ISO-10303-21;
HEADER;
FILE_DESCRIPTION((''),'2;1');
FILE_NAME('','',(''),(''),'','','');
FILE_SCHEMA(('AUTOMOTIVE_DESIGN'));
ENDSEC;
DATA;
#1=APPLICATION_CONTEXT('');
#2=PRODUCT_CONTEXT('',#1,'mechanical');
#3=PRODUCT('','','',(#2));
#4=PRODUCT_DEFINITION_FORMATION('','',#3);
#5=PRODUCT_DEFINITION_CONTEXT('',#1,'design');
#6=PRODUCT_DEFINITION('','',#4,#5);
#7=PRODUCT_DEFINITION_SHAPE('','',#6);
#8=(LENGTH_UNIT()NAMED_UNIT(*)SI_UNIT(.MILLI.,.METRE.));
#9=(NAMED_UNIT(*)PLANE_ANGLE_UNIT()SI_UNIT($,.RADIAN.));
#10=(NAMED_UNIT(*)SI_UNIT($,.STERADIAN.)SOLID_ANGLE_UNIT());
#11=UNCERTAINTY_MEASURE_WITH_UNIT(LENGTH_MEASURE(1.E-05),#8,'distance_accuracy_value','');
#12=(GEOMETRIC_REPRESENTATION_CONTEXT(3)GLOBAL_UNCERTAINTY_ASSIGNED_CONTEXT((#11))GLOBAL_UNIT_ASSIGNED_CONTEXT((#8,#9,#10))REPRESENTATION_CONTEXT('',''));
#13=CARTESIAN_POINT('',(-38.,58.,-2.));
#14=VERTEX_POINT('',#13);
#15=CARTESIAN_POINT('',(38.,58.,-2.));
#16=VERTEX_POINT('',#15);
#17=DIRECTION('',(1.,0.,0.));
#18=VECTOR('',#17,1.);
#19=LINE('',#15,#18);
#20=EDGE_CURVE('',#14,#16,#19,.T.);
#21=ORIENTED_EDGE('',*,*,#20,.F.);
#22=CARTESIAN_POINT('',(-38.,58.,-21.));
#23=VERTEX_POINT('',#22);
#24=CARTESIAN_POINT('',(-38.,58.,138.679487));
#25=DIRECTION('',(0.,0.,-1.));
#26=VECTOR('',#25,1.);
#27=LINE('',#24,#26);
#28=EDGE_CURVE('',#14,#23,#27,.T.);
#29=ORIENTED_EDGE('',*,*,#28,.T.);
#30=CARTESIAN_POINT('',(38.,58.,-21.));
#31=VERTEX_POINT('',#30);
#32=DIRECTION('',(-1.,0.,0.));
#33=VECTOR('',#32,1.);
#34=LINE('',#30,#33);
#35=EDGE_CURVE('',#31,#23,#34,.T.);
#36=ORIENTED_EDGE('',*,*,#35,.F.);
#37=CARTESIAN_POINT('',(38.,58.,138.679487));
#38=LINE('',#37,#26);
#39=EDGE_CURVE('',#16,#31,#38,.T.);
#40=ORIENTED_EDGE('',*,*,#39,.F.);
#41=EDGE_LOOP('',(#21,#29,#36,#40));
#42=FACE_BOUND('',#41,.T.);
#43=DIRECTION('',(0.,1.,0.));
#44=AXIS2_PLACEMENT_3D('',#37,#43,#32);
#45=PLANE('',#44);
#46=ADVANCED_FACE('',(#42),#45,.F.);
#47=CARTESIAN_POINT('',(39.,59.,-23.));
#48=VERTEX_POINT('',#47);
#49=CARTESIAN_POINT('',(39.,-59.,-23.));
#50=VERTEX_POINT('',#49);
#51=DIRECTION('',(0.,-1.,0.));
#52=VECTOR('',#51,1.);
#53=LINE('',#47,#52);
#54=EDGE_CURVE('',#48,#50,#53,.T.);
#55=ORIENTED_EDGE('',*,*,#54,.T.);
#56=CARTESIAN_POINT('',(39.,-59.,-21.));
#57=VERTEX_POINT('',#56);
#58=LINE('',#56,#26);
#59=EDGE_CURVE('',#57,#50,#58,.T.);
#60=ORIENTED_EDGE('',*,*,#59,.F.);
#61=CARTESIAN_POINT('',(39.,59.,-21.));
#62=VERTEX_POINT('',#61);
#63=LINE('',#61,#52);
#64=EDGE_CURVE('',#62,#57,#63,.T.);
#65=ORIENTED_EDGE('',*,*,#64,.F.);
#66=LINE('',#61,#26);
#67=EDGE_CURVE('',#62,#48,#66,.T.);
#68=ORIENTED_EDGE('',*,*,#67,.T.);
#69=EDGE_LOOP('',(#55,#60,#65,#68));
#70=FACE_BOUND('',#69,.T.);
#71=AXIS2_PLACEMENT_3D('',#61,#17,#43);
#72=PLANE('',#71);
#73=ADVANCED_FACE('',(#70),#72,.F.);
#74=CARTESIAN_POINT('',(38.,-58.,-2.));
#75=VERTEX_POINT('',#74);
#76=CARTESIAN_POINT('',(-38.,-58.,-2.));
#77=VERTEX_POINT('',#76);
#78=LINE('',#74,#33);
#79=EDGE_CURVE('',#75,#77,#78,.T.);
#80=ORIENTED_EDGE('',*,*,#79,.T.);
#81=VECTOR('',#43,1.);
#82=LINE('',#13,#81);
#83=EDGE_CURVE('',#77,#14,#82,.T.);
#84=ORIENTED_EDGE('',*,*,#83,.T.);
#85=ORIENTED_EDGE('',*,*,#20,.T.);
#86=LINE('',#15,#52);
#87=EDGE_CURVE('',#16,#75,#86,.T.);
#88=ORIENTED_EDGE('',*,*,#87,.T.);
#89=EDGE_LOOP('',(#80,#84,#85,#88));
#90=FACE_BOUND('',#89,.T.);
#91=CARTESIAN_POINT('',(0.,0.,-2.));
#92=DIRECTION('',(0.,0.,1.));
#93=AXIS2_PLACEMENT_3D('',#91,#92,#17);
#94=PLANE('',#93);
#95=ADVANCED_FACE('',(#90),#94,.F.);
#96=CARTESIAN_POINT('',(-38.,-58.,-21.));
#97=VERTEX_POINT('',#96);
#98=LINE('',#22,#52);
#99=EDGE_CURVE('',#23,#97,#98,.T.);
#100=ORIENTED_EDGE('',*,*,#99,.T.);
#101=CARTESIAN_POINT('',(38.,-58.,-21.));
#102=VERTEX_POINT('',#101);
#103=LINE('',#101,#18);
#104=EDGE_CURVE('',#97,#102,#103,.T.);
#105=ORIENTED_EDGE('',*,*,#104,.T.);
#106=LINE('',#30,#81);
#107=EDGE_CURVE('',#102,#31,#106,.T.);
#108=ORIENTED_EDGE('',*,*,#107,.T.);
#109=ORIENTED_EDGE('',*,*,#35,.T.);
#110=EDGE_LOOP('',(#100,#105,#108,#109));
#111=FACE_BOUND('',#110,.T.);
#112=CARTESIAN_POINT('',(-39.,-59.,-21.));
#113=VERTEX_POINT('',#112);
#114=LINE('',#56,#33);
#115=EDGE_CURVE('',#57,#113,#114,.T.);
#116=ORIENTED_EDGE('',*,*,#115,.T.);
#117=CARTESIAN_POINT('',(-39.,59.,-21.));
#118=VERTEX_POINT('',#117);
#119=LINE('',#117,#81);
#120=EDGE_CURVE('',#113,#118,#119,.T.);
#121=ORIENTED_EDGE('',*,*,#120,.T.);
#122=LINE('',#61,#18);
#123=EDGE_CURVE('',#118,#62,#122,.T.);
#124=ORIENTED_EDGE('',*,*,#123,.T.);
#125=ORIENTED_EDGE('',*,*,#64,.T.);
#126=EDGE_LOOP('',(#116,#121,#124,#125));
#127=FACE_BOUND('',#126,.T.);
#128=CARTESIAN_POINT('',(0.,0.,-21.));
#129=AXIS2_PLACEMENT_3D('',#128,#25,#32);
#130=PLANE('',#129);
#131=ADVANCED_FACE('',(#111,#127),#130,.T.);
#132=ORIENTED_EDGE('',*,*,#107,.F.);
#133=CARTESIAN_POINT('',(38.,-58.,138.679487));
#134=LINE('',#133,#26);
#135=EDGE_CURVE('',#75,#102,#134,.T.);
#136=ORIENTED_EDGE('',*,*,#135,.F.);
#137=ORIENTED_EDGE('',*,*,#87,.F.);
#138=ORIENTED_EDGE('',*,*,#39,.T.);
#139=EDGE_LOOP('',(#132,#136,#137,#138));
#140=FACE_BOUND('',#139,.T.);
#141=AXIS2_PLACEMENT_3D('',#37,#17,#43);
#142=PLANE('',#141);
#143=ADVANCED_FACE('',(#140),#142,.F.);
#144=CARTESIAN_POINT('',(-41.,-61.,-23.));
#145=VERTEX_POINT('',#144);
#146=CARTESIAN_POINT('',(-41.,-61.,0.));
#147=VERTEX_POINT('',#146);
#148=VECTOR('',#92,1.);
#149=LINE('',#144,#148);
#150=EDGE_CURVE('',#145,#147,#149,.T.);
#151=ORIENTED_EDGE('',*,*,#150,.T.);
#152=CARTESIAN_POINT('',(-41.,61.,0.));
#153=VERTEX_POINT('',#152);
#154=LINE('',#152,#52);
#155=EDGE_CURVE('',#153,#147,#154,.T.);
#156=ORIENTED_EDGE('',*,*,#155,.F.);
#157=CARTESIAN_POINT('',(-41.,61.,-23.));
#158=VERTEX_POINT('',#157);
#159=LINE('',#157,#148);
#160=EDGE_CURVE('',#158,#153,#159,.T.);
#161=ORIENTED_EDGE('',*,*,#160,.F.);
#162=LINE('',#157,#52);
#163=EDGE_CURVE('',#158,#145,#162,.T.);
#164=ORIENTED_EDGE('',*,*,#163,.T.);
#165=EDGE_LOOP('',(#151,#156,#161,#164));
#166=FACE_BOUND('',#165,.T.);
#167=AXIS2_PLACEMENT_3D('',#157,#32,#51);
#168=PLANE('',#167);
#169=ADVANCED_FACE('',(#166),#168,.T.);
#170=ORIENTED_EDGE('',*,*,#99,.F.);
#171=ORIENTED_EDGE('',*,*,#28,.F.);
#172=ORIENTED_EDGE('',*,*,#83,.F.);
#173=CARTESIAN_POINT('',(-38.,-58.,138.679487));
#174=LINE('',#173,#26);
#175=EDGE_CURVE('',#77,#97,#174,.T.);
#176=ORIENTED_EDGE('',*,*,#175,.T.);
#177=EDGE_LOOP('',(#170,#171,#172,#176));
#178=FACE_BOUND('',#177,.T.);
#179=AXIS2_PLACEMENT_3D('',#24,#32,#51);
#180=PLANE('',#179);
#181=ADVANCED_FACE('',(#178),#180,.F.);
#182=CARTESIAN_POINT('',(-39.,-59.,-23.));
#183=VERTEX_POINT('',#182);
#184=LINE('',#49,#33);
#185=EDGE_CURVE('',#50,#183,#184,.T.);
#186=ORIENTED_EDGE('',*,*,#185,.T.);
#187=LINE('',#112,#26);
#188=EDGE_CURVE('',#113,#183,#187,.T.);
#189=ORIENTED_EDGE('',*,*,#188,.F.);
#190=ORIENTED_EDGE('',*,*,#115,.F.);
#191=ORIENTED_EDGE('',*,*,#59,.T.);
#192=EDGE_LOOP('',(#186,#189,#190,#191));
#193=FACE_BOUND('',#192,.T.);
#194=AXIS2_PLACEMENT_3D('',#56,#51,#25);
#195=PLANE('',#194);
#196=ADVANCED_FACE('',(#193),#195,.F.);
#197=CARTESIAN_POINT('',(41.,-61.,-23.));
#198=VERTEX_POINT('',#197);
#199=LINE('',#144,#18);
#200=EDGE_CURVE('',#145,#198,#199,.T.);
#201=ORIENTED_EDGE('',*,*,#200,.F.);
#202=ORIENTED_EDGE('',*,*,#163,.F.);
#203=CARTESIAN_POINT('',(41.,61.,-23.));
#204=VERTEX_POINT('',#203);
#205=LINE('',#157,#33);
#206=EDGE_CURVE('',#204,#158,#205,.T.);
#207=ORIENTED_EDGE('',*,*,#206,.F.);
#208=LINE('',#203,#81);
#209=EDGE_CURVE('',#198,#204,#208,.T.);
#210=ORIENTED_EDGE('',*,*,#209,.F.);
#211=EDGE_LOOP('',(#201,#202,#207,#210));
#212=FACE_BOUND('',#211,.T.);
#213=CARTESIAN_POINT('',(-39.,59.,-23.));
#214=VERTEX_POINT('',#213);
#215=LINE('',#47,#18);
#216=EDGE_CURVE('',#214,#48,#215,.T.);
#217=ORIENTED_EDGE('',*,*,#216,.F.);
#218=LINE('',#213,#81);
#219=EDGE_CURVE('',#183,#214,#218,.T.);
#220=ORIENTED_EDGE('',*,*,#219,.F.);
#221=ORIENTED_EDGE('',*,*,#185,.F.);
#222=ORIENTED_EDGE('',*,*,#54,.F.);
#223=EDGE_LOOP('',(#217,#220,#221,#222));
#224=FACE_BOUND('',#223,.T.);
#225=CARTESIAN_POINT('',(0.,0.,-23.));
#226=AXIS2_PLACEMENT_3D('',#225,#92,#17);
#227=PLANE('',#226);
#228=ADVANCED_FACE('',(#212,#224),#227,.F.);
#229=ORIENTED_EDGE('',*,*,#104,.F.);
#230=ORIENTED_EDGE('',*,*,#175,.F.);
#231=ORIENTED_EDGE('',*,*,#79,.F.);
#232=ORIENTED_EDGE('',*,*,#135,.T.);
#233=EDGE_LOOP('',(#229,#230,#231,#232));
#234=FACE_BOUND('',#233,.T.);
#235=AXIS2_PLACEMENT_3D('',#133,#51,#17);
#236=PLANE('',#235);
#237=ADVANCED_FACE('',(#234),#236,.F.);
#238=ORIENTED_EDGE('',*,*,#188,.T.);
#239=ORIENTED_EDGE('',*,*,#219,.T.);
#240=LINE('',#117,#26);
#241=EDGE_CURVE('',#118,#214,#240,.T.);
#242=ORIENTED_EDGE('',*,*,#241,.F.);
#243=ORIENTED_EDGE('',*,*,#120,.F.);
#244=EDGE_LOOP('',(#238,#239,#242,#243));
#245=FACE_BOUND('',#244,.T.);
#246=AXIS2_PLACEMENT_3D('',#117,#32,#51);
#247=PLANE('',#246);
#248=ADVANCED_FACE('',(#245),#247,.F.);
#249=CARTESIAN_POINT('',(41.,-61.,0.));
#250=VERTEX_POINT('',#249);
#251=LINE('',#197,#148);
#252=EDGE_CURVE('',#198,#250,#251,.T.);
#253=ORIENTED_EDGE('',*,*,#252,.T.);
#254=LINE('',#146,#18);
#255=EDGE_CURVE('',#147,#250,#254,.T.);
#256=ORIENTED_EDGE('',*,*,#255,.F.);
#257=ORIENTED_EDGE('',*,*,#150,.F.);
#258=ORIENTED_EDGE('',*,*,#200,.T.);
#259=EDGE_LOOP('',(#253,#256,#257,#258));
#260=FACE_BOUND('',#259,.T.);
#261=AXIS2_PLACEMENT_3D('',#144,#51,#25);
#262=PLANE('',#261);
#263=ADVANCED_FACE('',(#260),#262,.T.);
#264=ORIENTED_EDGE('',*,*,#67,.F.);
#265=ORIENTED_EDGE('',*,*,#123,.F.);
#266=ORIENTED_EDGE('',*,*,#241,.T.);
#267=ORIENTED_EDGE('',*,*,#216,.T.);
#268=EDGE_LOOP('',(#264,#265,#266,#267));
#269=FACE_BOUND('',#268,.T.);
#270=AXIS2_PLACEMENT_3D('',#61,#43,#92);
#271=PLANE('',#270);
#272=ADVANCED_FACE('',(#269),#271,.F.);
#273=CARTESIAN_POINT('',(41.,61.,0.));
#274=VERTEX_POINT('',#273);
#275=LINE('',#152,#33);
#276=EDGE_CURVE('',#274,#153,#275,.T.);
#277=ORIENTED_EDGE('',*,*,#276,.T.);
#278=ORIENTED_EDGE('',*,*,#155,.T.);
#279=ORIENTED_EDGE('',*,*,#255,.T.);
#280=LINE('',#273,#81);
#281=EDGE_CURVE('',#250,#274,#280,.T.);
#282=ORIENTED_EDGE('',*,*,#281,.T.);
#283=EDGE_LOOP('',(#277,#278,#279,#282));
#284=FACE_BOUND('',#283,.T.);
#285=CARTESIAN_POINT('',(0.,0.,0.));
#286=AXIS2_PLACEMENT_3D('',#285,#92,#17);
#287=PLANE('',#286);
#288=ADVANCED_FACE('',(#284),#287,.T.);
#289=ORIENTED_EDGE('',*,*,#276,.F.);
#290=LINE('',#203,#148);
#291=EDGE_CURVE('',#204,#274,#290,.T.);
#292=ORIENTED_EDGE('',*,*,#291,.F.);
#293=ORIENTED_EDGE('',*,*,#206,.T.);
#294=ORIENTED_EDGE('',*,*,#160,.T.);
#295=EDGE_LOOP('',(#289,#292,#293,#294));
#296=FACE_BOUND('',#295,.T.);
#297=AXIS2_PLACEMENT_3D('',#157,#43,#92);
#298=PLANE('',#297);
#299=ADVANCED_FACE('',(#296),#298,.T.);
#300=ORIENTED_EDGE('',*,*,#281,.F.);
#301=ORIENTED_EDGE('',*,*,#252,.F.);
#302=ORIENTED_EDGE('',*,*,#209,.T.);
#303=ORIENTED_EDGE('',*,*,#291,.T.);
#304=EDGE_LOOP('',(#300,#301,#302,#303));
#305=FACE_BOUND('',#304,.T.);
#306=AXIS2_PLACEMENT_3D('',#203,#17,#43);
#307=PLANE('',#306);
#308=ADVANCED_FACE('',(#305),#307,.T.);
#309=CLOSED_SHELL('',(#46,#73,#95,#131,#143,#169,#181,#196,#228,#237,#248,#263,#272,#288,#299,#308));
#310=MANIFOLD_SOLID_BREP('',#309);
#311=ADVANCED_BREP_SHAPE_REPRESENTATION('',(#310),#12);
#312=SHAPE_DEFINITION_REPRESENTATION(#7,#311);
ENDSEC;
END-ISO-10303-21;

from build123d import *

# Parameters (mm, degrees)
SKETCH1_W           = 82
SKETCH1_H           = 122
BOSS_EXTRUDE1_DEPTH = 23
SKETCH2_W           = 76
SKETCH2_H           = 116
CUT_EXTRUDE1_DEPTH  = 21
SKETCH6_W           = 78
SKETCH6_H           = 118
CUT_EXTRUDE3_DEPTH  = 2


with BuildPart() as part:
    # Sketch1 → Boss-Extrude1 (new body)
    with BuildSketch(Plane.XY):
        Rectangle(SKETCH1_W, SKETCH1_H)
    extrude(amount=-BOSS_EXTRUDE1_DEPTH)

    # Sketch2 → Cut-Extrude1 (cut)
    with BuildSketch(Plane(origin=(0, 0, -23), x_dir=(-1, 0, 0), z_dir=(0, 0, -1))):
        Rectangle(SKETCH2_W, SKETCH2_H)
    extrude(amount=-CUT_EXTRUDE1_DEPTH, mode=Mode.SUBTRACT)

    # Sketch6 → Cut-Extrude3 (cut)
    with BuildSketch(Plane(origin=(0, 0, -23), x_dir=(-1, 0, 0), z_dir=(0, 0, -1))):
        Rectangle(SKETCH6_W, SKETCH6_H)
    extrude(amount=-CUT_EXTRUDE3_DEPTH, mode=Mode.SUBTRACT)


solid = part.part
